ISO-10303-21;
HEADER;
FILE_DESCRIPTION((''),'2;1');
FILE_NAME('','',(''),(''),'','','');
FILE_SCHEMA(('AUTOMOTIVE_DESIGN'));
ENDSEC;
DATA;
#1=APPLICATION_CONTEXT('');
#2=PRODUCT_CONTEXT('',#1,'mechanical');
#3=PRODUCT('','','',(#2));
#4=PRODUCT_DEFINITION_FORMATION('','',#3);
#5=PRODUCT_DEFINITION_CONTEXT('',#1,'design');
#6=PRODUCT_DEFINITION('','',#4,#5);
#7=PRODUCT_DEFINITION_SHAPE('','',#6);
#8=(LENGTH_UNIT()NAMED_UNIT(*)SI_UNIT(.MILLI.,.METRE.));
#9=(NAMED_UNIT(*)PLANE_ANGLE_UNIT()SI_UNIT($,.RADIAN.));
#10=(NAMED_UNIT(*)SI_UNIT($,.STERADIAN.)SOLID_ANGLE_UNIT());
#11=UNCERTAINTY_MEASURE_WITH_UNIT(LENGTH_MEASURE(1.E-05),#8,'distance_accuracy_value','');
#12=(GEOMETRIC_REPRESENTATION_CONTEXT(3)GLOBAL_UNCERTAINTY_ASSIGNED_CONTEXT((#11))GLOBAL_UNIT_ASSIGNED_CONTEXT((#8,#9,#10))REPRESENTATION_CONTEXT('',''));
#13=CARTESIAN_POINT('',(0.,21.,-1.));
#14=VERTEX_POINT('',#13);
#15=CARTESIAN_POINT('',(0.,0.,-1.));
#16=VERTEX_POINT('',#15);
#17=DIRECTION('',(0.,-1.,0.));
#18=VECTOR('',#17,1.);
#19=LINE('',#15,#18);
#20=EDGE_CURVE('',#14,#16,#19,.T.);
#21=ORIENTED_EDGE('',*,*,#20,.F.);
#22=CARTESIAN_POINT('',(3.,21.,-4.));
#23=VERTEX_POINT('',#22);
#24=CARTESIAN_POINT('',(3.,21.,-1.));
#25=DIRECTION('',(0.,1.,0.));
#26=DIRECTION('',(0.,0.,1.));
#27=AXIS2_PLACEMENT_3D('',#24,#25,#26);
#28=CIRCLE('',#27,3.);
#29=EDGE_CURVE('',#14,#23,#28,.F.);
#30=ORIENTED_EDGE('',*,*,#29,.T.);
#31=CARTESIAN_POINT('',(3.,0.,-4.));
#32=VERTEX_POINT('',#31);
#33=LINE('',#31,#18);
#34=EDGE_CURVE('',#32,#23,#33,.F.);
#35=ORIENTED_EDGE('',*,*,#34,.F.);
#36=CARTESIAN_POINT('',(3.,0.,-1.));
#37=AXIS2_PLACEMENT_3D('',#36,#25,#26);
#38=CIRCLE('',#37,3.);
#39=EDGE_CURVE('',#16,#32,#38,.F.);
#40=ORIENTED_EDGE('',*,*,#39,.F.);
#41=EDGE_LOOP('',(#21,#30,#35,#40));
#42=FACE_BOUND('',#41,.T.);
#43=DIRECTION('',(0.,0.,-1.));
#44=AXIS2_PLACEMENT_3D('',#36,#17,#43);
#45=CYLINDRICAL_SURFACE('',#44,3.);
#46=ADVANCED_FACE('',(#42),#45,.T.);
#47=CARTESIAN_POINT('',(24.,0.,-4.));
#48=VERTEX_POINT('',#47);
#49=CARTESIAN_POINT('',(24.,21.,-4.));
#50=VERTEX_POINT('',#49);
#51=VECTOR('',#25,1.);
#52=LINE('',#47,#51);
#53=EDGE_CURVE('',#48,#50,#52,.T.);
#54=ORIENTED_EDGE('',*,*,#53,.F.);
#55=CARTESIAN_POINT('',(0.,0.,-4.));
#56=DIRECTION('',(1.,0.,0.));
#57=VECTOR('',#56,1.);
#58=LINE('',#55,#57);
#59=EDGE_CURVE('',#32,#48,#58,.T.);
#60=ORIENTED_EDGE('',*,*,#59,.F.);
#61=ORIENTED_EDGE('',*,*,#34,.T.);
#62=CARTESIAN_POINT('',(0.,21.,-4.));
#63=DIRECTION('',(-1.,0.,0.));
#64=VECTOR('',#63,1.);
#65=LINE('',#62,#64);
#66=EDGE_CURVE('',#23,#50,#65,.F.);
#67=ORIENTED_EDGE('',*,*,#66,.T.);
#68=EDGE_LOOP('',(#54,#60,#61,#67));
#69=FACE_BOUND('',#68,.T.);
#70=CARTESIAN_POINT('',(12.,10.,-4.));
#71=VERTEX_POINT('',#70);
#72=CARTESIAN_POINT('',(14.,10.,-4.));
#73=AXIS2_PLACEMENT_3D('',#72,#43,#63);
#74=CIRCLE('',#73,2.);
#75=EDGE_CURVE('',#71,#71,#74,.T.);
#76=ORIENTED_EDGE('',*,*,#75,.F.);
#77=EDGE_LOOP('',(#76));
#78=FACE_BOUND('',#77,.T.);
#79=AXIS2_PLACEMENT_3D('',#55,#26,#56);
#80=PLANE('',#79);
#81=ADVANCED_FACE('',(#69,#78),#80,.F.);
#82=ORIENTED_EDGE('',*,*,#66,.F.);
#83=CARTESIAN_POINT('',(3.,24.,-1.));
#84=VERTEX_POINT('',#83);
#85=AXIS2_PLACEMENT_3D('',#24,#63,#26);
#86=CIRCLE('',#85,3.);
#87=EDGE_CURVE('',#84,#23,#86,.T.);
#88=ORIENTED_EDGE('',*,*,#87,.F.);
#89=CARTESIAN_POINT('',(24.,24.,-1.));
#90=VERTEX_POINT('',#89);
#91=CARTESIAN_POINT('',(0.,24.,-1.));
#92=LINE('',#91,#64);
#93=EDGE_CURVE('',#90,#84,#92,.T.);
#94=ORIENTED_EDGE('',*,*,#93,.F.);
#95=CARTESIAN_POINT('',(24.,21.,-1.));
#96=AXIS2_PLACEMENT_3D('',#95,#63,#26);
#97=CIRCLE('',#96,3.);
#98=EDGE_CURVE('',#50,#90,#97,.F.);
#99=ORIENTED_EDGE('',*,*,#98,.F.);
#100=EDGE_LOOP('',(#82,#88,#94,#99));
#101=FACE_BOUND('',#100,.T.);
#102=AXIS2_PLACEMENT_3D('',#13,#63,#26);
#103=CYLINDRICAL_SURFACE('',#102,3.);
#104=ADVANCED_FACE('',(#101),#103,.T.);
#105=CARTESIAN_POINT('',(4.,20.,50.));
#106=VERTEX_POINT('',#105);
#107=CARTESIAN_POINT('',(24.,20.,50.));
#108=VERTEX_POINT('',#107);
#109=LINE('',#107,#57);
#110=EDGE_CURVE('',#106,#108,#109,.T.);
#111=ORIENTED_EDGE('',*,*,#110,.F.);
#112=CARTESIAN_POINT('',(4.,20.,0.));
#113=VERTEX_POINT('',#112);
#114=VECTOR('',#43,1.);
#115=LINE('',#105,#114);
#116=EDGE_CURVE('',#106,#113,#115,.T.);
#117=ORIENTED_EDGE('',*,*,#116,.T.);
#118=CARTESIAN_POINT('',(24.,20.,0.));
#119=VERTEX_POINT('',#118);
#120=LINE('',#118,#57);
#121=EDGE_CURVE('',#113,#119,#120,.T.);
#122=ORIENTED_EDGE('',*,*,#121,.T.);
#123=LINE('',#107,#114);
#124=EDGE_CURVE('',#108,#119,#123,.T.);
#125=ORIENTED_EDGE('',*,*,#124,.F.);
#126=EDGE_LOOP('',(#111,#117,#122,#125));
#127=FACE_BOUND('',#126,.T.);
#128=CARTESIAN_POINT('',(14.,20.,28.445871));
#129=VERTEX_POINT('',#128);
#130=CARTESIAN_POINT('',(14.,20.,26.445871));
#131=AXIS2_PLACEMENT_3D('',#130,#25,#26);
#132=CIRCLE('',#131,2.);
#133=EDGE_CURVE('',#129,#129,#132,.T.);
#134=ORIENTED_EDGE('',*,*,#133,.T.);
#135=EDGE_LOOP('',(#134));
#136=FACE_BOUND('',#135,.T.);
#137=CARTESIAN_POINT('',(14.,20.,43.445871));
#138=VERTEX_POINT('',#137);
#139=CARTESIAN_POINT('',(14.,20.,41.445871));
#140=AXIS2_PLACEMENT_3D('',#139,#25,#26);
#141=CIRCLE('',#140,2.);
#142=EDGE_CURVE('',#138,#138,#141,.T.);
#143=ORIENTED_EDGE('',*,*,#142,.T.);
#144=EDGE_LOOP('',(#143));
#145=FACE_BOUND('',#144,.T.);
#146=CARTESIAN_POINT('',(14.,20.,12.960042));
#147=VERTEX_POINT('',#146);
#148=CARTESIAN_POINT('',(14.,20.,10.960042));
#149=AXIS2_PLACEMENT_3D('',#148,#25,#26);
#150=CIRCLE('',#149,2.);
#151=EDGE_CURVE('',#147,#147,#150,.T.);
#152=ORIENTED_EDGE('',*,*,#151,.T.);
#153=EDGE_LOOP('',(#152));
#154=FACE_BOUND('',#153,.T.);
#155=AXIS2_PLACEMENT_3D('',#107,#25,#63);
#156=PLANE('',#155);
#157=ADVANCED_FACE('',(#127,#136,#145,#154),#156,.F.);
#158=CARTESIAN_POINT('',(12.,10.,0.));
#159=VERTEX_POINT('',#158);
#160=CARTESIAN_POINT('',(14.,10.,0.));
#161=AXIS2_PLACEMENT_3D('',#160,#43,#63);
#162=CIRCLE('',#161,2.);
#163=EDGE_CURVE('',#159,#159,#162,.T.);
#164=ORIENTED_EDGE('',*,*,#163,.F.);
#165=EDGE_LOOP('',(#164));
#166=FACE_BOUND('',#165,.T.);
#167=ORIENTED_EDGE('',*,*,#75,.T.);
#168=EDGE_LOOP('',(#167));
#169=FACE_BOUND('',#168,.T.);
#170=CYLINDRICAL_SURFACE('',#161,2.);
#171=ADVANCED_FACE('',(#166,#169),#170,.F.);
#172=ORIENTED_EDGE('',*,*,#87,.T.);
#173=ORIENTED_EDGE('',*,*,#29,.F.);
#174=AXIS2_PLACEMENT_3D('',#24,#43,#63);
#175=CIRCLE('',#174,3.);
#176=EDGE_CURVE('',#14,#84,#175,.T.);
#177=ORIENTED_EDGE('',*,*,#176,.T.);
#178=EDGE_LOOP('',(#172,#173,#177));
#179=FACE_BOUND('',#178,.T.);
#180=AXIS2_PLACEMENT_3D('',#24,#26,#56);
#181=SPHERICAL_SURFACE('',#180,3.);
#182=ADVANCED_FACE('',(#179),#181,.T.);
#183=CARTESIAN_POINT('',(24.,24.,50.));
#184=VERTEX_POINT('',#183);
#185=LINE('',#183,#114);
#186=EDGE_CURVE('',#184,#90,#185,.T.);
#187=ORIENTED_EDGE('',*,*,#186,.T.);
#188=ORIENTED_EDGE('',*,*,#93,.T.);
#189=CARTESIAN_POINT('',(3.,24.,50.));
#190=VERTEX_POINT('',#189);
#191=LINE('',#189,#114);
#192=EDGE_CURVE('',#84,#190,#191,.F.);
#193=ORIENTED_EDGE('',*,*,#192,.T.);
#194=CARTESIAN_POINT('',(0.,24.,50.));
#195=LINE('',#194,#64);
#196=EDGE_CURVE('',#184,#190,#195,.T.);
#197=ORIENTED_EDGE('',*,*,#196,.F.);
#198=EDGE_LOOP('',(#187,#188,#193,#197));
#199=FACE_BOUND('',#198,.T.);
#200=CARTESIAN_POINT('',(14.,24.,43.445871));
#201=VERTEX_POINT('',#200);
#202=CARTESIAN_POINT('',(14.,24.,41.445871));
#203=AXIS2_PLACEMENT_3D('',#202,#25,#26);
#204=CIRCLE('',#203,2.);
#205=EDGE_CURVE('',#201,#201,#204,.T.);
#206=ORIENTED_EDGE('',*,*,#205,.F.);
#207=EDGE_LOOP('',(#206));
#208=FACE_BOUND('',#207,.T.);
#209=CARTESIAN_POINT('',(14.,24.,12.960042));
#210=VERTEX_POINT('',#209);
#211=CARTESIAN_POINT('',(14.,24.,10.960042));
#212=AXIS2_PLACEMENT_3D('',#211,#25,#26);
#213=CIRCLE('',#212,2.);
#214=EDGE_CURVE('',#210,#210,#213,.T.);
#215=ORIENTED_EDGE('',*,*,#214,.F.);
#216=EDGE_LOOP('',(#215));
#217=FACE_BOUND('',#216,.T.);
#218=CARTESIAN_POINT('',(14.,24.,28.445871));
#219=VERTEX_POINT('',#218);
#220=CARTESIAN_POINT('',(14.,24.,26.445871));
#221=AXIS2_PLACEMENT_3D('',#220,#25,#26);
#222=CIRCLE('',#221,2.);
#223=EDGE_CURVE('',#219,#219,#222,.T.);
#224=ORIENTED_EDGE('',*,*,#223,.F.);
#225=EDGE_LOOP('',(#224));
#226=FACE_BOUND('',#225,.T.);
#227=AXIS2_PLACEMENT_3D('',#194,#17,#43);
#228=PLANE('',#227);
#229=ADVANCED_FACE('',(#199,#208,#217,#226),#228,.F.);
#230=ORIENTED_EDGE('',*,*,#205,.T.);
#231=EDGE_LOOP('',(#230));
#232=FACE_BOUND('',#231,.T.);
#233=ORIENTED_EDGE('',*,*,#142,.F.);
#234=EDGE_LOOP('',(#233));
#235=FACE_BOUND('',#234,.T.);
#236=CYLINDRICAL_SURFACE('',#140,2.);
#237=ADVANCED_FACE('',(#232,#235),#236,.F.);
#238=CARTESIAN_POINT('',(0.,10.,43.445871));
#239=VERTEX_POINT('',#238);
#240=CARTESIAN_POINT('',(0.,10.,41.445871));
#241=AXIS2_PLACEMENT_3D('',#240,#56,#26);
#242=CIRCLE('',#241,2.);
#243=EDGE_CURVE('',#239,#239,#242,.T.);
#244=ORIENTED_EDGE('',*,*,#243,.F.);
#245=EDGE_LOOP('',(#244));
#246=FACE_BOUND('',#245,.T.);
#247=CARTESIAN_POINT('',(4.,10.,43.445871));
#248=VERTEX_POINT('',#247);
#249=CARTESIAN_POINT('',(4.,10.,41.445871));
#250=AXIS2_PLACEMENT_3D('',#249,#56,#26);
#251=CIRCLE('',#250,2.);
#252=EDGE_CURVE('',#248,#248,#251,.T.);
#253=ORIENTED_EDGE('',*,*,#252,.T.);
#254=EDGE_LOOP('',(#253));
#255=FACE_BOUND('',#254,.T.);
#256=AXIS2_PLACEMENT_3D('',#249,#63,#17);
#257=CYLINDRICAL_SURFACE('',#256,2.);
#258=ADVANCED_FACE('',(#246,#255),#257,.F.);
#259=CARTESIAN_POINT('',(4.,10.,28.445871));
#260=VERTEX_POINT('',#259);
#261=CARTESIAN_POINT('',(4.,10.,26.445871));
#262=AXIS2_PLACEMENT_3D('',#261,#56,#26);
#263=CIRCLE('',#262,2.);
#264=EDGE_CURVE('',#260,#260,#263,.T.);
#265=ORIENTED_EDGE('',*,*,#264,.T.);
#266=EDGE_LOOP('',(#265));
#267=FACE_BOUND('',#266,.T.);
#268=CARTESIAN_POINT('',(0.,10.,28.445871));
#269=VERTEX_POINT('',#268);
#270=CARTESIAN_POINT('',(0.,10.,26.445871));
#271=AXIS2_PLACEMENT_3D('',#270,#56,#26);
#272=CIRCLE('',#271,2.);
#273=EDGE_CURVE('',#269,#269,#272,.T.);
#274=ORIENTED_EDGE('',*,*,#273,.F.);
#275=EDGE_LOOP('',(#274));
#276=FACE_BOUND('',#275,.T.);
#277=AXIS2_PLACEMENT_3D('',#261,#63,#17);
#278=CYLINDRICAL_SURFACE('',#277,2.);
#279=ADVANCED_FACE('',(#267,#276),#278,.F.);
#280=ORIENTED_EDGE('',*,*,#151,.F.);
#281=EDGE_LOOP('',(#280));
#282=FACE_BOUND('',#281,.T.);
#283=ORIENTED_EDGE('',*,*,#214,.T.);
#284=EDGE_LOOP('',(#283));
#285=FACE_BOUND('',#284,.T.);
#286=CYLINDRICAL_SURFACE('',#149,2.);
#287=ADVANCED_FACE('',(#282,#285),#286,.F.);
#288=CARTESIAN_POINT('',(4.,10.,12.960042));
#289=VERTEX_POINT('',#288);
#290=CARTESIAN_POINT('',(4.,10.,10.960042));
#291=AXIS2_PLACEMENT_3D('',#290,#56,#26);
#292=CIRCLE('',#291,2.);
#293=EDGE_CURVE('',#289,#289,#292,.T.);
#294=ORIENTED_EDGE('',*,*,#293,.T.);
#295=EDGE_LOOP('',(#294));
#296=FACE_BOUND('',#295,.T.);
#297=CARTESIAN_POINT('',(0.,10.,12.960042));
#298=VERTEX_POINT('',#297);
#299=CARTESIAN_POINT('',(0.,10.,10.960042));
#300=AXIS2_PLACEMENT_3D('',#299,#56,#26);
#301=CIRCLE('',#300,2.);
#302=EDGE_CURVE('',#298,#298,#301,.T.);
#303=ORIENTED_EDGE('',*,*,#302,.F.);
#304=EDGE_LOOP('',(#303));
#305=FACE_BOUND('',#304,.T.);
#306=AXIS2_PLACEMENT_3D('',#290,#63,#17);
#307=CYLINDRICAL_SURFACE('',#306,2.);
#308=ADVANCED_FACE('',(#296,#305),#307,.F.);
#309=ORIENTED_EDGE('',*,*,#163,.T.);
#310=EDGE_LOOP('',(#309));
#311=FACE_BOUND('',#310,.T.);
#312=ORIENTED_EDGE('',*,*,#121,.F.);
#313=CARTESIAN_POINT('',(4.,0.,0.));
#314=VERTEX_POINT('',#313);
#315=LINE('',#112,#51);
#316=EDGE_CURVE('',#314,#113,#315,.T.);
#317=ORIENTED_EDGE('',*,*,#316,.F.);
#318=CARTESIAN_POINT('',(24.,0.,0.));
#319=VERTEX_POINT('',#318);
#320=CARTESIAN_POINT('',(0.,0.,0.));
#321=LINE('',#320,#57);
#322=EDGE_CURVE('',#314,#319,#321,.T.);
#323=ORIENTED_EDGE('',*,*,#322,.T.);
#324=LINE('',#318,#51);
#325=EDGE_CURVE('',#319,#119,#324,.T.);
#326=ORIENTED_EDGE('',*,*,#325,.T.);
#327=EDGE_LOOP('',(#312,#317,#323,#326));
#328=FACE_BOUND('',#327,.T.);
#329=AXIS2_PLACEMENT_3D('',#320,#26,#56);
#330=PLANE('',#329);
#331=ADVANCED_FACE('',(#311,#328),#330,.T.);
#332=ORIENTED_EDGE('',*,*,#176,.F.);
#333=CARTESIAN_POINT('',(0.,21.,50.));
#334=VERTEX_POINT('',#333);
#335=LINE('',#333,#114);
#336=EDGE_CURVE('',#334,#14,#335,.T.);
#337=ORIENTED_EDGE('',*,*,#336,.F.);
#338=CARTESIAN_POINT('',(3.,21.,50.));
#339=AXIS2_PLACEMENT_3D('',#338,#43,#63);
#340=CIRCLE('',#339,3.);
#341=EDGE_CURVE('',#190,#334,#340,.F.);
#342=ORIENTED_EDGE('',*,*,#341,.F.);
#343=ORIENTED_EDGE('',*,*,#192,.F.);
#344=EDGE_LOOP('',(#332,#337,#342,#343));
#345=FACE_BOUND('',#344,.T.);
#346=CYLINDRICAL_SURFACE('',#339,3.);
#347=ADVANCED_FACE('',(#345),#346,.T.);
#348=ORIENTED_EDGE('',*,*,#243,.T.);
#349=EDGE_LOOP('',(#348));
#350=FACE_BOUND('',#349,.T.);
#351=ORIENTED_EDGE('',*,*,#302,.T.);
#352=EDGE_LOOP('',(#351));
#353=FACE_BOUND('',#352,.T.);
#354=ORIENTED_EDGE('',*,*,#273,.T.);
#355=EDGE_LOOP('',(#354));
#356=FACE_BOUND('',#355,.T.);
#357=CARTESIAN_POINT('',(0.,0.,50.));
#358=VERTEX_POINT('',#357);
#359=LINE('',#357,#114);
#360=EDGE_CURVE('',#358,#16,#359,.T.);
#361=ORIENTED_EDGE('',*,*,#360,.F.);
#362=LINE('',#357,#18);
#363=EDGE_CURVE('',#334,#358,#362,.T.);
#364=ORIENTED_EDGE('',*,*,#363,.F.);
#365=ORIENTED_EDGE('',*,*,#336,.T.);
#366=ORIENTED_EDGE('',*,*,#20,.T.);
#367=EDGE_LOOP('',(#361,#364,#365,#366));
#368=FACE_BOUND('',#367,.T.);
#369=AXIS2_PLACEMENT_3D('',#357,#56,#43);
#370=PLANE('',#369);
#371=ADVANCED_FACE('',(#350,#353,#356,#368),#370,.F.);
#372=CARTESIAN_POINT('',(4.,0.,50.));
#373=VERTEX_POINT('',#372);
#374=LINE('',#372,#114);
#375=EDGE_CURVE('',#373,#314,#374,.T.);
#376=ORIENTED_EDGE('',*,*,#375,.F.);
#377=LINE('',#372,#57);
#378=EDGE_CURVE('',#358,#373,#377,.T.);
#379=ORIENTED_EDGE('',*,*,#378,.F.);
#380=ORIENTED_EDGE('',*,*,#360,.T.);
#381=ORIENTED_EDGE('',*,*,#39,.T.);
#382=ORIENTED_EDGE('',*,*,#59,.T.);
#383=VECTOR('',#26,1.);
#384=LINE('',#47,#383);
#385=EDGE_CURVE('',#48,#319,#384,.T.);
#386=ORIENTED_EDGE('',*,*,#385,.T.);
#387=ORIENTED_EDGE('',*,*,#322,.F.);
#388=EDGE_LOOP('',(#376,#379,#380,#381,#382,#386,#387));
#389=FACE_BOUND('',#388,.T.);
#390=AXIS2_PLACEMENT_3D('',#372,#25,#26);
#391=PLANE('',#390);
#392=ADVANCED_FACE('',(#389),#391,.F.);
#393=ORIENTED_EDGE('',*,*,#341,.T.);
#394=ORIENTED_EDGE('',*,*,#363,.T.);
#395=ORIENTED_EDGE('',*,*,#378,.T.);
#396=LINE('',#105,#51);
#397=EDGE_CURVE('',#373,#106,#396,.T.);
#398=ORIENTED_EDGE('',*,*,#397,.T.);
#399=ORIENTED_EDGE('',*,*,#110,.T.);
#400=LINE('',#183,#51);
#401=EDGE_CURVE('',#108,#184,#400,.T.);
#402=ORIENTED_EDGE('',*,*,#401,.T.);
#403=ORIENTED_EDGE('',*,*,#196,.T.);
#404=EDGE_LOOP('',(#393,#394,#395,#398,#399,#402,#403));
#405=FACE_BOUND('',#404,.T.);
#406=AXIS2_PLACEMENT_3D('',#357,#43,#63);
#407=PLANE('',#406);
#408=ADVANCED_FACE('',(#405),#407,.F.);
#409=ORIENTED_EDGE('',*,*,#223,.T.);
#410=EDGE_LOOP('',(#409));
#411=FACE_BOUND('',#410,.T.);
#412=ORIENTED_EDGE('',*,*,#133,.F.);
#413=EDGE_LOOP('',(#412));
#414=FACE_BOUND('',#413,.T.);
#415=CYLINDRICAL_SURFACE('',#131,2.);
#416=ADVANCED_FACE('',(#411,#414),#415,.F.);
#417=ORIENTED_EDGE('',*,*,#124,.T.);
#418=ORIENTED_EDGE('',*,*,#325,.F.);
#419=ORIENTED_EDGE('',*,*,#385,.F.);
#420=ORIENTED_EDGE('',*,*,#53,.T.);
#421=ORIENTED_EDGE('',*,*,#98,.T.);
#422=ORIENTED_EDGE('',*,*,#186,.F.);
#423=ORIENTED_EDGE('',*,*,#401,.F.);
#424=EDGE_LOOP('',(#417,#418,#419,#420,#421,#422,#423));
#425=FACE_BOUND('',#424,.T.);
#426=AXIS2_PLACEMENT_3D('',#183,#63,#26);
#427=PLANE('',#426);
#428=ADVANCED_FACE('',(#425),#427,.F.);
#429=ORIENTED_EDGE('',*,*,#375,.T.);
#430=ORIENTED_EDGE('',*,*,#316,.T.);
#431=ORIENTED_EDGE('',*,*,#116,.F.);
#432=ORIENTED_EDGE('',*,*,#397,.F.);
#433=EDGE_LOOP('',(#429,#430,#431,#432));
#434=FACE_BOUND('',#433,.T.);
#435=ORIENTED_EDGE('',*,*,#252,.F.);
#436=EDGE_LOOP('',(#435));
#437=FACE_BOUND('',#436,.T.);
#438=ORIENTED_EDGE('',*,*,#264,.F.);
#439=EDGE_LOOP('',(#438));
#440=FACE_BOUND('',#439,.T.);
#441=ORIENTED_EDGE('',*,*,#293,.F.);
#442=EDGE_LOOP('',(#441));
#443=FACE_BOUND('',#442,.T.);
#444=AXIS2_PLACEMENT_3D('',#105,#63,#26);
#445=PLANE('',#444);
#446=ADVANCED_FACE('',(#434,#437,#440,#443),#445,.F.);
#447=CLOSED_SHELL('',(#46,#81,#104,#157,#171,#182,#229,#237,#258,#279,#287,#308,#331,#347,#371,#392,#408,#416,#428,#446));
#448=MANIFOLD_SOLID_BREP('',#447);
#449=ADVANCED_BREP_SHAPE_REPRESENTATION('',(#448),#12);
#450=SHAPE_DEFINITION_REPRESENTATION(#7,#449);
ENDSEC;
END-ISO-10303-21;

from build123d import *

# Parameters (mm, degrees)
BOSS_EXTRUDE1_DEPTH = 50
SKETCH2_W           = 24
SKETCH2_H           = 24
BOSS_EXTRUDE2_DEPTH = 4
SKETCH3_R           = 2
CUT_EXTRUDE1_DEPTH  = 4
SKETCH4_R           = 2
CUT_EXTRUDE2_DEPTH  = 4
FILLET1_R           = 3


with BuildPart() as part:
    # Sketch1 → Boss-Extrude1 (new body)
    with BuildSketch(Plane.XY):
        Polygon((0, 0), (0, 24), (24, 24), (24, 20), (4, 20), (4, 0), align=None)
    extrude(amount=BOSS_EXTRUDE1_DEPTH)

    # Sketch2 → Boss-Extrude2 (add)
    with BuildSketch(Plane(origin=(0, 0, 0), x_dir=(-1, 0, 0), z_dir=(0, 0, -1))):
        with Locations((-12, 12)):
            Rectangle(SKETCH2_W, SKETCH2_H)
    extrude(amount=BOSS_EXTRUDE2_DEPTH)

    # Sketch3 → Cut-Extrude1 (cut)
    with BuildSketch(Plane(origin=(0, 0, -4), x_dir=(-1, 0, 0), z_dir=(0, 0, -1))):
        with Locations((-14, 10)):
            Circle(SKETCH3_R)
    extrude(amount=-CUT_EXTRUDE1_DEPTH, mode=Mode.SUBTRACT)

    # Sketch4 → Cut-Extrude2 (cut)
    with BuildSketch(Plane(origin=(0, 24, 0), x_dir=(1, 0, 0), z_dir=(0, 1, 0))):
        with Locations((14, -26.445871018)):
            Circle(SKETCH4_R)
        with Locations((14, -10.960041792)):
            Circle(SKETCH4_R)
        with Locations((14, -41.445871018)):
            Circle(SKETCH4_R)
    cut_extrude2 = extrude(amount=-CUT_EXTRUDE2_DEPTH, mode=Mode.SUBTRACT)

    # Mirror1: Cut-Extrude2 across plane
    add(cut_extrude2.mirror(Plane(origin=(12, 12, 0), x_dir=(0, 0, 1), z_dir=(-0.707106781, -0.707106781, 0))), mode=Mode.SUBTRACT)

    # Fillet1
    fillet1_edges = [part.edges().sort_by_distance(p)[0] for p in [
        (0, 24, 23),
        (0, 12, -4),
        (12, 24, -4),
    ]]
    fillet(fillet1_edges, radius=FILLET1_R)


solid = part.part
